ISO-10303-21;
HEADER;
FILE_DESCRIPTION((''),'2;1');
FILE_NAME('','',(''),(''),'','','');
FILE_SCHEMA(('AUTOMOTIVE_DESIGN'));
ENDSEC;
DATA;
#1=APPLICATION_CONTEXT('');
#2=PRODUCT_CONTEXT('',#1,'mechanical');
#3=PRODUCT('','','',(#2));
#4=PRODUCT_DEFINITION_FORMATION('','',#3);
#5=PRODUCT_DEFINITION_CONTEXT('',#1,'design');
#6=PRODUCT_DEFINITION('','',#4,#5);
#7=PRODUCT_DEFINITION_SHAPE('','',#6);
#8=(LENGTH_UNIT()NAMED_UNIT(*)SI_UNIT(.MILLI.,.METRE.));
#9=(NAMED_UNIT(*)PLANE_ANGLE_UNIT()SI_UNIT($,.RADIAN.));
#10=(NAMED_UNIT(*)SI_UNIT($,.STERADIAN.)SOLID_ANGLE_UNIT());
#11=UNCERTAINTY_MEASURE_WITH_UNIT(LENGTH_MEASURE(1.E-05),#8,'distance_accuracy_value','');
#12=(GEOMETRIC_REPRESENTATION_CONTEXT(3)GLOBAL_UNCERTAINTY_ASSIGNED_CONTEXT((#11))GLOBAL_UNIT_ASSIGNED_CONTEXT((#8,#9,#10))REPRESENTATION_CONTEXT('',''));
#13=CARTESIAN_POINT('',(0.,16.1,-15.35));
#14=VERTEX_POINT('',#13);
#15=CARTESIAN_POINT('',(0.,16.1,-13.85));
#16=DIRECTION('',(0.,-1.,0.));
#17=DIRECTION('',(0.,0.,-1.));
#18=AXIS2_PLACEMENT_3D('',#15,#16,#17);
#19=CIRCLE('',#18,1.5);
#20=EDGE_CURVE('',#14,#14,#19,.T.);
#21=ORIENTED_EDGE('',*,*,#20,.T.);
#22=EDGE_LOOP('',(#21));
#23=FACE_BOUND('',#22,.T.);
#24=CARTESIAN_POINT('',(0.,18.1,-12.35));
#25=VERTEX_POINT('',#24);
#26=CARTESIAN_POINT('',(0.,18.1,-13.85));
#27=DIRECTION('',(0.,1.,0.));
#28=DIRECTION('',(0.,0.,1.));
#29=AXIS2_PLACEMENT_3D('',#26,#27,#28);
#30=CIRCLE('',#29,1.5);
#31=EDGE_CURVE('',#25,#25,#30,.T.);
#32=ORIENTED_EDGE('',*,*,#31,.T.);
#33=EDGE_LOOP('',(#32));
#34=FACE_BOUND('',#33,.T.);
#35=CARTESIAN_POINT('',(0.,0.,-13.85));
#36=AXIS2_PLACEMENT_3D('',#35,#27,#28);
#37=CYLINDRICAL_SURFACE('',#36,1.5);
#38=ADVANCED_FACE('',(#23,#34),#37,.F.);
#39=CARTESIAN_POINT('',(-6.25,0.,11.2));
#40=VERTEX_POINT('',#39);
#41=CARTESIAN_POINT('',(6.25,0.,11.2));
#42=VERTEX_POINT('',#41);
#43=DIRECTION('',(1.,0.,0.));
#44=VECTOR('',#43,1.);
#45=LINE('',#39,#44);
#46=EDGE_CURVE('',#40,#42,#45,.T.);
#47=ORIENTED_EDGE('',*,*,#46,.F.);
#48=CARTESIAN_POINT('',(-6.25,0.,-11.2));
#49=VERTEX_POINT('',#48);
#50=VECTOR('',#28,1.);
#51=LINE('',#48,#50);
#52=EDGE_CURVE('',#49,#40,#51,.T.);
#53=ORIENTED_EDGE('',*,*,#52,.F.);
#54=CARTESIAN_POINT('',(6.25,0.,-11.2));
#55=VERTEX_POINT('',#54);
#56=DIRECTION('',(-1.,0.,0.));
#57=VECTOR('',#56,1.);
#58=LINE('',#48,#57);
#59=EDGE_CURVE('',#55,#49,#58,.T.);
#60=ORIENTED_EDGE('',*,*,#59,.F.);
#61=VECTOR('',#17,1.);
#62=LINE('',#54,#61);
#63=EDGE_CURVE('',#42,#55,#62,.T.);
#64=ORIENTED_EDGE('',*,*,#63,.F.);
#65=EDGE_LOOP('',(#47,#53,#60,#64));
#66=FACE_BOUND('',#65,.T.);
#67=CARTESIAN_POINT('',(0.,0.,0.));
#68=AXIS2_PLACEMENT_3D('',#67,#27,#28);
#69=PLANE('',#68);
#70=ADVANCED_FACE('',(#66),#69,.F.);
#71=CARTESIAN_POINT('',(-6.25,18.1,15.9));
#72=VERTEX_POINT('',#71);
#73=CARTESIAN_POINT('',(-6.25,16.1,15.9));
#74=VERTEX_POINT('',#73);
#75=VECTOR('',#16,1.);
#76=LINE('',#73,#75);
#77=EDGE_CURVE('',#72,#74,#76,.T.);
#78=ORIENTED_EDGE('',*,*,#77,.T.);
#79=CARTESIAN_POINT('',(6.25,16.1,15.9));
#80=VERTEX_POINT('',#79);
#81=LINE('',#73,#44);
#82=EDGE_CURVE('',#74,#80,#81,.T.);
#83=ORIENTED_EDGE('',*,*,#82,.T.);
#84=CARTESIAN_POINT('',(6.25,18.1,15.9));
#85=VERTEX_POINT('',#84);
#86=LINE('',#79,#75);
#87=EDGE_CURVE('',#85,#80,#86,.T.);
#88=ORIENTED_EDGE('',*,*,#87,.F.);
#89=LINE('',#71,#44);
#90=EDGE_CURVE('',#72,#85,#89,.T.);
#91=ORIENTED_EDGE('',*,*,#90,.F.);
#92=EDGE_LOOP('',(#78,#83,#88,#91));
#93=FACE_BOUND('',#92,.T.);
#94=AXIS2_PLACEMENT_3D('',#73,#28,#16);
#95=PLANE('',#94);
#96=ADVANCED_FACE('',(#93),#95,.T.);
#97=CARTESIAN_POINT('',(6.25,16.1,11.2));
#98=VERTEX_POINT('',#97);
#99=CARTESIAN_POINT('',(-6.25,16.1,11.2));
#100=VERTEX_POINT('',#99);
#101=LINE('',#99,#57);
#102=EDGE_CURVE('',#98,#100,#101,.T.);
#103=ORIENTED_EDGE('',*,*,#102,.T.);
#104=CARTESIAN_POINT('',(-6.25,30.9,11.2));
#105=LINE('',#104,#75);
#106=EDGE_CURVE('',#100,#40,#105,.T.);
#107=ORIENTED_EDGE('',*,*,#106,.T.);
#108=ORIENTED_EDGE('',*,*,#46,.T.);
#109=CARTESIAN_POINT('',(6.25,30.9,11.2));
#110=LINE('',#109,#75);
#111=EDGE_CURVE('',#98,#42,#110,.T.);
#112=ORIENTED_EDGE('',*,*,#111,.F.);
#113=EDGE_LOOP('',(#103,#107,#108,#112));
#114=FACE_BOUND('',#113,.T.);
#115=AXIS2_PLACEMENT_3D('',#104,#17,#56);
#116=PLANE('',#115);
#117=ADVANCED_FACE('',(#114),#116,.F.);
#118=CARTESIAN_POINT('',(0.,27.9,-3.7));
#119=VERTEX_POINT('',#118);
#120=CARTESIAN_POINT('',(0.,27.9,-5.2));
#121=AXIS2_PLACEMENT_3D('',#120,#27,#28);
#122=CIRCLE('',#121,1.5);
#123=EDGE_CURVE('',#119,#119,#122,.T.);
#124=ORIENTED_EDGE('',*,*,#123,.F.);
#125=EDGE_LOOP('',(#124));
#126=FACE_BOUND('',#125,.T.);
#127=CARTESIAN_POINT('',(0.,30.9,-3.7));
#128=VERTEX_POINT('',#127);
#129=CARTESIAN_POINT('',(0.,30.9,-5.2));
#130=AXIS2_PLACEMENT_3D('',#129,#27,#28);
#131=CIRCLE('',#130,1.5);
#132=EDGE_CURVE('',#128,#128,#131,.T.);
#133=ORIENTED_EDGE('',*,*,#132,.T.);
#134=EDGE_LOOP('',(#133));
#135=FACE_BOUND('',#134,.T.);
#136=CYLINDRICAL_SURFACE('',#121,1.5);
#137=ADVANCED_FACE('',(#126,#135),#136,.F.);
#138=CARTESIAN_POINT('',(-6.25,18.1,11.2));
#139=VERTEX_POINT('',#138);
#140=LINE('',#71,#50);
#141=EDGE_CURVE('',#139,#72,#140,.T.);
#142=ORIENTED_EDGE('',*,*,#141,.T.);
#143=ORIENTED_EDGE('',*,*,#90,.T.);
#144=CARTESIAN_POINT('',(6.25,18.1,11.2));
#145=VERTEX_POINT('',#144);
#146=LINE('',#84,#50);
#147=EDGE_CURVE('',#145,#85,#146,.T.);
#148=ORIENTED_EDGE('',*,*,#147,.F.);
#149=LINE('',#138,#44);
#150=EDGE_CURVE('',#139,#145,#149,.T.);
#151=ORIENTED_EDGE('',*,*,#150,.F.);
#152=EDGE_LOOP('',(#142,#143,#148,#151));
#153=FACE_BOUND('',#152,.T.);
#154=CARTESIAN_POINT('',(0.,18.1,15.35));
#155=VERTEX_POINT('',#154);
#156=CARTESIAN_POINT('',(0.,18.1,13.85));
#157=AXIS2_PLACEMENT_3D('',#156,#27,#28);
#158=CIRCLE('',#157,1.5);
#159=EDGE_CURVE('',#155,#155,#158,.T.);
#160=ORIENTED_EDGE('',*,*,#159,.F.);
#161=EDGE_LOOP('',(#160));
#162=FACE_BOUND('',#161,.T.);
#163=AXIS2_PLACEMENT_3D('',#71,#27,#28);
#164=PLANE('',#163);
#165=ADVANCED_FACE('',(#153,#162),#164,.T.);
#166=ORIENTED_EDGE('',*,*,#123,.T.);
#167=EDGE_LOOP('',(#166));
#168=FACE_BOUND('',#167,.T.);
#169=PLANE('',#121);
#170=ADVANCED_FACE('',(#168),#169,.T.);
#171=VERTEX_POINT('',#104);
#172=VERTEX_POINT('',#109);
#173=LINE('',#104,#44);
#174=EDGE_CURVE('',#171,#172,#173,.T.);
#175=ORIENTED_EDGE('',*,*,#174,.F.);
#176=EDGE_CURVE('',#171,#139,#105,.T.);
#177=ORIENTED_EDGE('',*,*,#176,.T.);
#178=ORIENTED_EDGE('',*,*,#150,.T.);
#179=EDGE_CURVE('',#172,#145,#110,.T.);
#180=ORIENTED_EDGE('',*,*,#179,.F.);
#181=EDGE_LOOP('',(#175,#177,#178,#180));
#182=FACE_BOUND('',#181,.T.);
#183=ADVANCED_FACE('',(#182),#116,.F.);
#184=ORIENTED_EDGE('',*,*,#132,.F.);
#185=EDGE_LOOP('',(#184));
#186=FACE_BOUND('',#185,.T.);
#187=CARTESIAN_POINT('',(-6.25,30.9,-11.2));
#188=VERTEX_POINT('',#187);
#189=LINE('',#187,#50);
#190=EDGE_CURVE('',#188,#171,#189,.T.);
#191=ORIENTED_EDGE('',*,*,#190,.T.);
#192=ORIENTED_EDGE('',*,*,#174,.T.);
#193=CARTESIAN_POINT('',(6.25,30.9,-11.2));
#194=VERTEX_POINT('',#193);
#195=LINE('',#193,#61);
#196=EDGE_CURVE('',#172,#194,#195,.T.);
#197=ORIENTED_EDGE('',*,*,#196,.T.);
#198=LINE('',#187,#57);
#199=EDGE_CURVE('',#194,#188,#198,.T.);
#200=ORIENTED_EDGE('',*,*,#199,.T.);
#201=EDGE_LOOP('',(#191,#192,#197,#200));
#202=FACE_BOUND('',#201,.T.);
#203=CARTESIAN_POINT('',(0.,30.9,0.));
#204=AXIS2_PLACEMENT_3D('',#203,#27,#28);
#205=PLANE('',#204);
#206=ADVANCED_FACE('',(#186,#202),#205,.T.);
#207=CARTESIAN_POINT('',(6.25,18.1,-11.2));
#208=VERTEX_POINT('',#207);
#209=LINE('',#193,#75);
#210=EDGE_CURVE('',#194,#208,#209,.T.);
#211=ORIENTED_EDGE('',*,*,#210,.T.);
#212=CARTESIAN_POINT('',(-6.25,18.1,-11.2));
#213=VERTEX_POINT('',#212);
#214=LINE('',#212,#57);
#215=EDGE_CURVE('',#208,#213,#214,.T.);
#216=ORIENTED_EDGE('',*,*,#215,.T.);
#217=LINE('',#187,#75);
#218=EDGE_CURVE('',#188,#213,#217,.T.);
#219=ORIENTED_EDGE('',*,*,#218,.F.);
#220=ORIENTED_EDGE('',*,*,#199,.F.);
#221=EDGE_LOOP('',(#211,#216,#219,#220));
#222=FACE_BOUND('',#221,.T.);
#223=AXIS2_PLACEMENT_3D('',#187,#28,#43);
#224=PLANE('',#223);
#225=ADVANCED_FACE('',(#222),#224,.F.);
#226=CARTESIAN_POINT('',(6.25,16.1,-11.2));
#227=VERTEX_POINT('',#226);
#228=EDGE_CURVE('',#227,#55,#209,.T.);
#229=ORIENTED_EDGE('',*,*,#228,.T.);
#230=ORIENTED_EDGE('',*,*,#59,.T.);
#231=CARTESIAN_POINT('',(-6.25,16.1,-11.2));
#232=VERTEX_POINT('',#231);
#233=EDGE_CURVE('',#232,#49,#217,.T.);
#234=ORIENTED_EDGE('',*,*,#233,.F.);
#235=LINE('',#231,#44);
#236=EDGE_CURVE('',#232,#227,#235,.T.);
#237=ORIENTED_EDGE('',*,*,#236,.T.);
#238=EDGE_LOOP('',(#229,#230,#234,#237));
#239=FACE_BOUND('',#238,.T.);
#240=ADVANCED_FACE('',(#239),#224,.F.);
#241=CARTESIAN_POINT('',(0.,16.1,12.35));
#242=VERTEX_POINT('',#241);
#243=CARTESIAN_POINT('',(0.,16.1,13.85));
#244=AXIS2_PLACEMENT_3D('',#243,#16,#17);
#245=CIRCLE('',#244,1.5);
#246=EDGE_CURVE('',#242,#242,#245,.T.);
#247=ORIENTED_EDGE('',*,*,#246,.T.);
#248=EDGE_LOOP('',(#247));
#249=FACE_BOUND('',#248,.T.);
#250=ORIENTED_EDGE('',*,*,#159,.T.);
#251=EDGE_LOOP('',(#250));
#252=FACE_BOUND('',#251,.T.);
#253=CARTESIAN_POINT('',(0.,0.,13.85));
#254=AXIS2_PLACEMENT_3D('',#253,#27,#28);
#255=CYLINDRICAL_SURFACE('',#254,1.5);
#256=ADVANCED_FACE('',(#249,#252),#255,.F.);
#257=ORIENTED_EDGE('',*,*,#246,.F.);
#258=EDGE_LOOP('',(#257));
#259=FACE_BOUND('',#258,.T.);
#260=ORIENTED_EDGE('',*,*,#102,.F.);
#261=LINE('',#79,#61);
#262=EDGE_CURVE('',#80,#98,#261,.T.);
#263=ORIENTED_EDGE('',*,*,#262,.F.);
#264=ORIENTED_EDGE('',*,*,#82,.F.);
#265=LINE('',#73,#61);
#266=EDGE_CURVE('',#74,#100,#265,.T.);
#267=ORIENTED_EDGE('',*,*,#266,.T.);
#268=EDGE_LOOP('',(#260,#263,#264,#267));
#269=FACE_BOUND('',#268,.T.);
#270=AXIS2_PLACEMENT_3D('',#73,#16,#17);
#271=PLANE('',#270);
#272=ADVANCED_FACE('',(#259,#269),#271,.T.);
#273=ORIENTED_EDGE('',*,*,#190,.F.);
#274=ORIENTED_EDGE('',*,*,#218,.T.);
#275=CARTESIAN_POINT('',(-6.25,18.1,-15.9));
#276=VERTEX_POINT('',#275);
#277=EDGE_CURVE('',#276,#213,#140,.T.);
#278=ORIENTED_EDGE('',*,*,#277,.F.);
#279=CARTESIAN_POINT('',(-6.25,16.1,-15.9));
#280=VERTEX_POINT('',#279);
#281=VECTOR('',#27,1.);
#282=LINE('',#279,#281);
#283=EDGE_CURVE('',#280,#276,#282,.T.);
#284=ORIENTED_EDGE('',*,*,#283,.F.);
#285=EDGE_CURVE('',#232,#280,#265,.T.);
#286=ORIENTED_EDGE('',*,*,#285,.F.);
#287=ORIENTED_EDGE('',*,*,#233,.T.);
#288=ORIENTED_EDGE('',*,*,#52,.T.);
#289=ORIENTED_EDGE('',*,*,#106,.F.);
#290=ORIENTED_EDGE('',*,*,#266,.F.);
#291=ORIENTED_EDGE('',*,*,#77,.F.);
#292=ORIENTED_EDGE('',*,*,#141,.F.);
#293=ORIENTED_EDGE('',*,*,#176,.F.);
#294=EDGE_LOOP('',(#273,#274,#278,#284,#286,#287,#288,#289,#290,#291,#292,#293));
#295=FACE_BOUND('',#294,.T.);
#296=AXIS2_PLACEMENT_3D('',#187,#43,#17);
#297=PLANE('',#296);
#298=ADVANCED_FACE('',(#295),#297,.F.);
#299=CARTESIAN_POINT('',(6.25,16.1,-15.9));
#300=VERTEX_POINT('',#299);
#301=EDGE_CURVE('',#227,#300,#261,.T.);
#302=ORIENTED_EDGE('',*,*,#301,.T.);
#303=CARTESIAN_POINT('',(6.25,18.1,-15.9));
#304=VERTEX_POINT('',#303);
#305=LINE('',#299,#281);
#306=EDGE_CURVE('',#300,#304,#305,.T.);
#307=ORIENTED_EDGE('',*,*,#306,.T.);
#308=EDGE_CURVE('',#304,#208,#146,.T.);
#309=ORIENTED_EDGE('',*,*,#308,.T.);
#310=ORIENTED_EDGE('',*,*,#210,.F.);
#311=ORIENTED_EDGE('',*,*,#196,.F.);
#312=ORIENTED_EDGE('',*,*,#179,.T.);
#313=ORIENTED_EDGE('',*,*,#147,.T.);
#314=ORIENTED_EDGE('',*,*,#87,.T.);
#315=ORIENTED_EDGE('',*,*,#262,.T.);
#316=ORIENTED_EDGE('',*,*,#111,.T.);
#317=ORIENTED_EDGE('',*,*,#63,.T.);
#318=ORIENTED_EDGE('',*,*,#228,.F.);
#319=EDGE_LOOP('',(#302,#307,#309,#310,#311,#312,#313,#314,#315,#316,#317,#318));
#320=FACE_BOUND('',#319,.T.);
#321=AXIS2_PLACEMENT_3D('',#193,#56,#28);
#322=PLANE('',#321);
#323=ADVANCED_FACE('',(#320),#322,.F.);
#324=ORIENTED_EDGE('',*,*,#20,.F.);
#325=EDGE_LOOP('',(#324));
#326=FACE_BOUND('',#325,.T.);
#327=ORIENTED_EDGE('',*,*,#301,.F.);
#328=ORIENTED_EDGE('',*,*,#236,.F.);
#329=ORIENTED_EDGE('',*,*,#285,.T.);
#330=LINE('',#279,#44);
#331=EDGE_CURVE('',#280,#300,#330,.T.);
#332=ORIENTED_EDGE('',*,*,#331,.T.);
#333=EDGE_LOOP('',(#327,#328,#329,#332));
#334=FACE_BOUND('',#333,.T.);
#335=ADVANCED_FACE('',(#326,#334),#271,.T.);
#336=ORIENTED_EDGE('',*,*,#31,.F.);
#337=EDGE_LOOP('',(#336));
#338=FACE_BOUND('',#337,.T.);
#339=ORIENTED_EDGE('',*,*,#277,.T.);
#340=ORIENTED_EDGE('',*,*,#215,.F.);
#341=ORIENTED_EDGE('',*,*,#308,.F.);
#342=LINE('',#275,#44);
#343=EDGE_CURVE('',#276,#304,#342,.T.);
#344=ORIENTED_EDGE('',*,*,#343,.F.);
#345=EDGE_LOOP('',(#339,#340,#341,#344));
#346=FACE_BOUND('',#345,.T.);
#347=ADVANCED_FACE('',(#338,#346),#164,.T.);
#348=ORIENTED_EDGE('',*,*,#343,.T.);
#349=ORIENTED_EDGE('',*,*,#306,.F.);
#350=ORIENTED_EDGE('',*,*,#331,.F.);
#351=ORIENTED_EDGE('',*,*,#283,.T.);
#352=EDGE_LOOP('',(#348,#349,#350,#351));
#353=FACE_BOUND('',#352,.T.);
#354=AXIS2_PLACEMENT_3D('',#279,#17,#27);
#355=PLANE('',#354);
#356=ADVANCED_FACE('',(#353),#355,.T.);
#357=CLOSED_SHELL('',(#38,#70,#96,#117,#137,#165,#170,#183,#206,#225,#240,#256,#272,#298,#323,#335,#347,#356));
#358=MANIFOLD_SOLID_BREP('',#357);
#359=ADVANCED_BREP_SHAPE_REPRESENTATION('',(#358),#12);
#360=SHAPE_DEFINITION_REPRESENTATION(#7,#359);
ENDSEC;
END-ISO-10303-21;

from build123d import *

# Parameters (mm, degrees)
SKETCH_1_W          = 12.5
SKETCH_1_H          = 22.4
EXTRUDE_1_DEPTH     = 30.9
SKETCH_4_W          = 31.8
SKETCH_4_H          = 2
EXTRUDE_2_DEPTH     = 12.5
SKETCH_6_R          = 1.5
CUT_EXTRUDE_2_DEPTH = 25.889405377
SKETCH_7_R          = 1.5
CUT_EXTRUDE_3_DEPTH = 3


with BuildPart() as part:
    # 草图1 → 凸台-拉伸1 (new body)
    with BuildSketch(Plane(origin=(0, 0, 0), x_dir=(1, 0, 0), z_dir=(0, 1, 0))):
        Rectangle(SKETCH_1_W, SKETCH_1_H)
    extrude(amount=EXTRUDE_1_DEPTH)

    # 草图4 → 凸台-拉伸2 (add)
    with BuildSketch(Plane(origin=(6.25, 0, 0), x_dir=(0, 0, -1), z_dir=(1, 0, 0))):
        with Locations((0, 17.1)):
            Rectangle(SKETCH_4_W, SKETCH_4_H)
    extrude(amount=-EXTRUDE_2_DEPTH)

    # 草图6 → 切除-拉伸2 (cut, through all)
    with BuildSketch(Plane(origin=(0, 18.1, 0), x_dir=(1, 0, 0), z_dir=(0, 1, 0))):
        with Locations(Location((0, 13.85, 0), (0, 0, 270))):
            Circle(SKETCH_6_R)
        with Locations(Location((0, -13.85, 0), (0, 0, 270))):
            Circle(SKETCH_6_R)
    extrude(amount=-CUT_EXTRUDE_2_DEPTH, mode=Mode.SUBTRACT)

    # 草图7 → 切除-拉伸3 (cut)
    with BuildSketch(Plane(origin=(0, 30.9, 0), x_dir=(1, 0, 0), z_dir=(0, 1, 0))):
        with Locations(Location((0, 5.2, 0), (0, 0, 270))):
            Circle(SKETCH_7_R)
    extrude(amount=-CUT_EXTRUDE_3_DEPTH, mode=Mode.SUBTRACT)


solid = part.part
